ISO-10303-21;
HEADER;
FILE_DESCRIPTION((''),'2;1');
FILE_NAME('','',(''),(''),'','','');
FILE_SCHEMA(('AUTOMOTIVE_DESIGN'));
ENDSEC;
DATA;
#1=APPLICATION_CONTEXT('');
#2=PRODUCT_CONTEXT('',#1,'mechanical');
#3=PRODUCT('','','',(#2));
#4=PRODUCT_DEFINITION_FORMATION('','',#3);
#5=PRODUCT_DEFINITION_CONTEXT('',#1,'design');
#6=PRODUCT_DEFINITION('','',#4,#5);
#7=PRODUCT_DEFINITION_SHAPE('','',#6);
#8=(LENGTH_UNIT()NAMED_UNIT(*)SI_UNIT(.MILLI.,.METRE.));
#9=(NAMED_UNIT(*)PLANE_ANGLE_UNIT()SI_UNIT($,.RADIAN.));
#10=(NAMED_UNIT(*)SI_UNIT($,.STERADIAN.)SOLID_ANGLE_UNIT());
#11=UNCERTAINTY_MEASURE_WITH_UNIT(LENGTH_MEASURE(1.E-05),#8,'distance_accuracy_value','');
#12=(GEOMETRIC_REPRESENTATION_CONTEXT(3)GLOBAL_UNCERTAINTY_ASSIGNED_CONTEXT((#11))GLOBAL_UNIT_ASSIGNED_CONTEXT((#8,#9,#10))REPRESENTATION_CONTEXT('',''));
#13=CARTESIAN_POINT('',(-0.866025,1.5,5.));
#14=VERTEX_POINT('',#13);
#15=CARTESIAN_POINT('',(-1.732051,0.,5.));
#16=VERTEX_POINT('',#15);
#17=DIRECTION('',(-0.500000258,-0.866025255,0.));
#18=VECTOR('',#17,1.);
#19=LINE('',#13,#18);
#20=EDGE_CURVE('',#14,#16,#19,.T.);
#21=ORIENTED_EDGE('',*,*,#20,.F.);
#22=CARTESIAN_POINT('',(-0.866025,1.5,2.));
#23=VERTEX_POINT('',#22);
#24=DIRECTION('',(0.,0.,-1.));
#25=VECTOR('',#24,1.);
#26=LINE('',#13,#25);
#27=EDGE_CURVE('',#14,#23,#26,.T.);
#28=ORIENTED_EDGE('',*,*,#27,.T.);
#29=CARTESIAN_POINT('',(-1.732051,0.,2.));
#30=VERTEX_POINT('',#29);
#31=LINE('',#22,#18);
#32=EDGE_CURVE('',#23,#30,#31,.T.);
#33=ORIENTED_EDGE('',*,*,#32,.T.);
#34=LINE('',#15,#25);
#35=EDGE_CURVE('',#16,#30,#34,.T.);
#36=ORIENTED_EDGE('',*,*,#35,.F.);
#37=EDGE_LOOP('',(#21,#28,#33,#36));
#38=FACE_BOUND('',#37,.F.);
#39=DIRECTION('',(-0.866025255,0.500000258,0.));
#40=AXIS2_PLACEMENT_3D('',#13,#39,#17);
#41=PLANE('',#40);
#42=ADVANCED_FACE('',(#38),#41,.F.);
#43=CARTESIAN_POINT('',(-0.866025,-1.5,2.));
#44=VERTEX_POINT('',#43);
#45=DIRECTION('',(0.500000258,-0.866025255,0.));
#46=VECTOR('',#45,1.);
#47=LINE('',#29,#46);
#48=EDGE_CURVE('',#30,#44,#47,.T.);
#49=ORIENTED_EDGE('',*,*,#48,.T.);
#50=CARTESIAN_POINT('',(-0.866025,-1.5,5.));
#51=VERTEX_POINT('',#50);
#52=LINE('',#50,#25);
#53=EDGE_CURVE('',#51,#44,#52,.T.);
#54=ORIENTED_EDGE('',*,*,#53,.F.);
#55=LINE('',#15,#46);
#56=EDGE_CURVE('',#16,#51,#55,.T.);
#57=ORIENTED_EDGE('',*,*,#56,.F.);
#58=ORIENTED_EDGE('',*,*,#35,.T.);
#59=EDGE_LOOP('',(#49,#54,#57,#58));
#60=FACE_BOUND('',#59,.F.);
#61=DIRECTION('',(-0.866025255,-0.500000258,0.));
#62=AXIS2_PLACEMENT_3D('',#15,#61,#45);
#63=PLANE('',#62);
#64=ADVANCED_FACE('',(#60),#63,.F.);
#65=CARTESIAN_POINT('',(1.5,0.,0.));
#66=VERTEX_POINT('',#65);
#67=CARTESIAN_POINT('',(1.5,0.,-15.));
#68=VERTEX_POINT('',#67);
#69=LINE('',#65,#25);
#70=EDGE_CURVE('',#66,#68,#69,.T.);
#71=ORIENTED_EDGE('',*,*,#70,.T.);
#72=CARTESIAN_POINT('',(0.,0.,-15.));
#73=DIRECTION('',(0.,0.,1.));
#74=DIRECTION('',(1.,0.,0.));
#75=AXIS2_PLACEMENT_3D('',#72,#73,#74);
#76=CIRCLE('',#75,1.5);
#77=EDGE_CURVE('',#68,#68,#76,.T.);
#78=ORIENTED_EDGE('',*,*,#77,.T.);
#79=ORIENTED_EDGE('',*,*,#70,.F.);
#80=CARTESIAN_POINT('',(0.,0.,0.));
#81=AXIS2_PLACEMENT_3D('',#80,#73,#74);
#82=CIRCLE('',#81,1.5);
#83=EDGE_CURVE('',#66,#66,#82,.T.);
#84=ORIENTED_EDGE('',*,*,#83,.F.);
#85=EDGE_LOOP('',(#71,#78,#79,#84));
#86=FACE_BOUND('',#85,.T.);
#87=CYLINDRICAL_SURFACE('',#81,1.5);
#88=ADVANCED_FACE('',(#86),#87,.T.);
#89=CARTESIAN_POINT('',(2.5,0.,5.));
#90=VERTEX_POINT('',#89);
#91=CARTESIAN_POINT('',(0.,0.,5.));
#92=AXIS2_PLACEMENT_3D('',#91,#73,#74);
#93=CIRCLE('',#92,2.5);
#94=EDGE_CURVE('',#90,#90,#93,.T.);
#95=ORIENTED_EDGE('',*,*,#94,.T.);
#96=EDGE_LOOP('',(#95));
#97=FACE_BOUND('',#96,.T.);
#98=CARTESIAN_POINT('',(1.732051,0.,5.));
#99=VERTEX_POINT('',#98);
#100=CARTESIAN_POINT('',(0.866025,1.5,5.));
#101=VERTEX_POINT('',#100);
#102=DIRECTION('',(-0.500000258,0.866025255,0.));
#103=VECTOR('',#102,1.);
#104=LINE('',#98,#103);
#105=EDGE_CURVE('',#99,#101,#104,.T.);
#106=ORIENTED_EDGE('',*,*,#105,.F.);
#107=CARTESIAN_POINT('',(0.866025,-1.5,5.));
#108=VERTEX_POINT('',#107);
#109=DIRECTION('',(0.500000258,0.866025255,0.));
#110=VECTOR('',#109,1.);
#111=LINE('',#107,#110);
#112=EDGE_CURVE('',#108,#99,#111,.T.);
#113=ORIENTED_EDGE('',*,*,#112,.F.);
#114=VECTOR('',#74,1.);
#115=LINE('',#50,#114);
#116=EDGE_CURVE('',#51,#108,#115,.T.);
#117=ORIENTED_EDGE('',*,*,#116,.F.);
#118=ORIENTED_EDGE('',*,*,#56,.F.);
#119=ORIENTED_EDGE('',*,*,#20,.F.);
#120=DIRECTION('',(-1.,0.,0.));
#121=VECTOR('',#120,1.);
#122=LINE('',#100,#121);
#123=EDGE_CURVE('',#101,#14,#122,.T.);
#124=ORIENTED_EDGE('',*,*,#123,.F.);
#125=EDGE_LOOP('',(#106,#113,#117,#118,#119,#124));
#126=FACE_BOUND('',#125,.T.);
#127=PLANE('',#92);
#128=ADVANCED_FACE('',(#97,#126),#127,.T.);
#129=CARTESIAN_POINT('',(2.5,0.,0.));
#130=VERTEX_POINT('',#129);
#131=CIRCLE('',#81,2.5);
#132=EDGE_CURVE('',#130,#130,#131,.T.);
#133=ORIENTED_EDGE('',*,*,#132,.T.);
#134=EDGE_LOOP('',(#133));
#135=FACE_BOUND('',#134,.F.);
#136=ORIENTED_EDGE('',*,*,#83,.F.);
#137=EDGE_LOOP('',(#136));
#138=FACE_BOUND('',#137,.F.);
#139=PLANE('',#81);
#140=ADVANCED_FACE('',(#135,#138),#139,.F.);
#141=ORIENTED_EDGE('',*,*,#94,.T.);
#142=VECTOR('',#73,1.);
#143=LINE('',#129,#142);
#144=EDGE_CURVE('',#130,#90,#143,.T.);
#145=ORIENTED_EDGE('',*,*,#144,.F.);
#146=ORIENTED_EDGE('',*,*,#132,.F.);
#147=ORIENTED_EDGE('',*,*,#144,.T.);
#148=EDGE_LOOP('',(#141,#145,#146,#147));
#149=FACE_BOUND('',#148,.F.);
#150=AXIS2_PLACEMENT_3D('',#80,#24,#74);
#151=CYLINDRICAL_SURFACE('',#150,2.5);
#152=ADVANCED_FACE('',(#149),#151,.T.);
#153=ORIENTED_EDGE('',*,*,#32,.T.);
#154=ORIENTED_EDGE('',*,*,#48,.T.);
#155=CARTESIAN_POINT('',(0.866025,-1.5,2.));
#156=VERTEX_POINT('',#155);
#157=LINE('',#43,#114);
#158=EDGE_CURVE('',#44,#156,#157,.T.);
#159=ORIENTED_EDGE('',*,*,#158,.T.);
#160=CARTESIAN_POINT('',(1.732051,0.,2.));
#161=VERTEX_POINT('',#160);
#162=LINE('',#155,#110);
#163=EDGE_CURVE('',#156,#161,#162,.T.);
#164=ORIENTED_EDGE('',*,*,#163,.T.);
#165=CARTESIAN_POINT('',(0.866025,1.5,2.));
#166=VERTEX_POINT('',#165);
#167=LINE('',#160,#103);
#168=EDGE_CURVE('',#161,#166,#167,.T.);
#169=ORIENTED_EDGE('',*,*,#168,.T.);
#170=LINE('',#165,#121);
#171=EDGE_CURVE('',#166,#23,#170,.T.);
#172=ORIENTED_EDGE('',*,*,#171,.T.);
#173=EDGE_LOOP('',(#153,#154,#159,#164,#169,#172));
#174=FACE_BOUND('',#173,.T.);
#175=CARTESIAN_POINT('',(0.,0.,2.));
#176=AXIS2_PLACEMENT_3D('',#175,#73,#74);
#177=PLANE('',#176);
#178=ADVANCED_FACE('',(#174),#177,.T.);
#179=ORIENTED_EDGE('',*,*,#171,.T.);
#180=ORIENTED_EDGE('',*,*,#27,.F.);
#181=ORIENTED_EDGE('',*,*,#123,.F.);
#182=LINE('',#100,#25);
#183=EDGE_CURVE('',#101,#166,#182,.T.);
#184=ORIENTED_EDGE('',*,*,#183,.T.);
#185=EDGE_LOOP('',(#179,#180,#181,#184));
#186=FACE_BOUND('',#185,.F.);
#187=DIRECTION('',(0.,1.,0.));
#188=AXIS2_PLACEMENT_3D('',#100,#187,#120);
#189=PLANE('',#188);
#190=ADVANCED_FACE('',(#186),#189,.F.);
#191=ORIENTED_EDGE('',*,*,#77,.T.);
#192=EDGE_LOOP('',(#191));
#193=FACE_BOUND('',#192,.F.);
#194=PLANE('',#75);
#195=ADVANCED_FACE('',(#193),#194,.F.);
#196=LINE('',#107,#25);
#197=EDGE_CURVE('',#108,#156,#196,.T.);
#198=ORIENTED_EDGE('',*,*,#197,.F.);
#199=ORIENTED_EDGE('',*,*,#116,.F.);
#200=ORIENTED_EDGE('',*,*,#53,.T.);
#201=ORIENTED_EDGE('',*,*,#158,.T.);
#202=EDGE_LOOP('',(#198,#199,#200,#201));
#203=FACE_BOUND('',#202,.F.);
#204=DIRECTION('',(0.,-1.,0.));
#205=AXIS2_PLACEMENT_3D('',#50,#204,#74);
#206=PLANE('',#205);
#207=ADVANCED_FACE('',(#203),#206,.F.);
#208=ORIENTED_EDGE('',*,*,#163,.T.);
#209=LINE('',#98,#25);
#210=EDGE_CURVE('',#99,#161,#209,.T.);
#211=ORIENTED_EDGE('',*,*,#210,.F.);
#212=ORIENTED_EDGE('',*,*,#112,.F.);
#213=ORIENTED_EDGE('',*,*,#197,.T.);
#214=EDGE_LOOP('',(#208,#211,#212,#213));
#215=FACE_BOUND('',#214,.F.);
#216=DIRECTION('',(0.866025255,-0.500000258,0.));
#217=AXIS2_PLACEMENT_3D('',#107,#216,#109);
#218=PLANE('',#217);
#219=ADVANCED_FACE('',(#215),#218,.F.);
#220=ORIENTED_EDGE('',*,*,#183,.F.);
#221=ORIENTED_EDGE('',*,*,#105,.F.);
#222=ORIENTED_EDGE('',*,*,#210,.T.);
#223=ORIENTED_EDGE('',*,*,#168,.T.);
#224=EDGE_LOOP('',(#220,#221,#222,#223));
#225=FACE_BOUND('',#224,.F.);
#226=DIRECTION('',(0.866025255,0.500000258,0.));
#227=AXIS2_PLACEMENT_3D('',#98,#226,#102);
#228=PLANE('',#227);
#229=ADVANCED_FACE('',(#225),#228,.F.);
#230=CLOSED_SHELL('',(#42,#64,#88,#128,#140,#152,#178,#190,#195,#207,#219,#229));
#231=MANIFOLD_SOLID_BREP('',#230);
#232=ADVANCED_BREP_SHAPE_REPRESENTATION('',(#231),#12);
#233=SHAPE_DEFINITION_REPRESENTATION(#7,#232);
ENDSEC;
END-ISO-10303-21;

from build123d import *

# Parameters (mm, degrees)
F0_R     = 1.5
F1_DEPTH = 15
F2_R     = 2.5
F2_R_2   = 1.5
F3_DEPTH = 5
F5_DEPTH = 3


with BuildPart() as f1:
    # F0 (on Top) → F1 (new body)
    with BuildSketch(Plane.XY):
        Circle(F0_R)
    extrude(amount=-F1_DEPTH)

    # F2 (on face) → F3 (join)
    with BuildSketch(Plane.XY):
        Circle(F2_R)
        Circle(F2_R_2, mode=Mode.SUBTRACT)
        Circle(F2_R_2)
    extrude(amount=F3_DEPTH)

    # F4 (on face) → F5 (cut)
    with BuildSketch(Plane.XY.offset(5)):
        Polygon((-0.866025, 1.5), (-1.732051, 0), (-0.866025, -1.5), (0.866025, -1.5), (1.732051, 0), (0.866025, 1.5), align=None)
    extrude(amount=-F5_DEPTH, mode=Mode.SUBTRACT)


solid = f1.part
